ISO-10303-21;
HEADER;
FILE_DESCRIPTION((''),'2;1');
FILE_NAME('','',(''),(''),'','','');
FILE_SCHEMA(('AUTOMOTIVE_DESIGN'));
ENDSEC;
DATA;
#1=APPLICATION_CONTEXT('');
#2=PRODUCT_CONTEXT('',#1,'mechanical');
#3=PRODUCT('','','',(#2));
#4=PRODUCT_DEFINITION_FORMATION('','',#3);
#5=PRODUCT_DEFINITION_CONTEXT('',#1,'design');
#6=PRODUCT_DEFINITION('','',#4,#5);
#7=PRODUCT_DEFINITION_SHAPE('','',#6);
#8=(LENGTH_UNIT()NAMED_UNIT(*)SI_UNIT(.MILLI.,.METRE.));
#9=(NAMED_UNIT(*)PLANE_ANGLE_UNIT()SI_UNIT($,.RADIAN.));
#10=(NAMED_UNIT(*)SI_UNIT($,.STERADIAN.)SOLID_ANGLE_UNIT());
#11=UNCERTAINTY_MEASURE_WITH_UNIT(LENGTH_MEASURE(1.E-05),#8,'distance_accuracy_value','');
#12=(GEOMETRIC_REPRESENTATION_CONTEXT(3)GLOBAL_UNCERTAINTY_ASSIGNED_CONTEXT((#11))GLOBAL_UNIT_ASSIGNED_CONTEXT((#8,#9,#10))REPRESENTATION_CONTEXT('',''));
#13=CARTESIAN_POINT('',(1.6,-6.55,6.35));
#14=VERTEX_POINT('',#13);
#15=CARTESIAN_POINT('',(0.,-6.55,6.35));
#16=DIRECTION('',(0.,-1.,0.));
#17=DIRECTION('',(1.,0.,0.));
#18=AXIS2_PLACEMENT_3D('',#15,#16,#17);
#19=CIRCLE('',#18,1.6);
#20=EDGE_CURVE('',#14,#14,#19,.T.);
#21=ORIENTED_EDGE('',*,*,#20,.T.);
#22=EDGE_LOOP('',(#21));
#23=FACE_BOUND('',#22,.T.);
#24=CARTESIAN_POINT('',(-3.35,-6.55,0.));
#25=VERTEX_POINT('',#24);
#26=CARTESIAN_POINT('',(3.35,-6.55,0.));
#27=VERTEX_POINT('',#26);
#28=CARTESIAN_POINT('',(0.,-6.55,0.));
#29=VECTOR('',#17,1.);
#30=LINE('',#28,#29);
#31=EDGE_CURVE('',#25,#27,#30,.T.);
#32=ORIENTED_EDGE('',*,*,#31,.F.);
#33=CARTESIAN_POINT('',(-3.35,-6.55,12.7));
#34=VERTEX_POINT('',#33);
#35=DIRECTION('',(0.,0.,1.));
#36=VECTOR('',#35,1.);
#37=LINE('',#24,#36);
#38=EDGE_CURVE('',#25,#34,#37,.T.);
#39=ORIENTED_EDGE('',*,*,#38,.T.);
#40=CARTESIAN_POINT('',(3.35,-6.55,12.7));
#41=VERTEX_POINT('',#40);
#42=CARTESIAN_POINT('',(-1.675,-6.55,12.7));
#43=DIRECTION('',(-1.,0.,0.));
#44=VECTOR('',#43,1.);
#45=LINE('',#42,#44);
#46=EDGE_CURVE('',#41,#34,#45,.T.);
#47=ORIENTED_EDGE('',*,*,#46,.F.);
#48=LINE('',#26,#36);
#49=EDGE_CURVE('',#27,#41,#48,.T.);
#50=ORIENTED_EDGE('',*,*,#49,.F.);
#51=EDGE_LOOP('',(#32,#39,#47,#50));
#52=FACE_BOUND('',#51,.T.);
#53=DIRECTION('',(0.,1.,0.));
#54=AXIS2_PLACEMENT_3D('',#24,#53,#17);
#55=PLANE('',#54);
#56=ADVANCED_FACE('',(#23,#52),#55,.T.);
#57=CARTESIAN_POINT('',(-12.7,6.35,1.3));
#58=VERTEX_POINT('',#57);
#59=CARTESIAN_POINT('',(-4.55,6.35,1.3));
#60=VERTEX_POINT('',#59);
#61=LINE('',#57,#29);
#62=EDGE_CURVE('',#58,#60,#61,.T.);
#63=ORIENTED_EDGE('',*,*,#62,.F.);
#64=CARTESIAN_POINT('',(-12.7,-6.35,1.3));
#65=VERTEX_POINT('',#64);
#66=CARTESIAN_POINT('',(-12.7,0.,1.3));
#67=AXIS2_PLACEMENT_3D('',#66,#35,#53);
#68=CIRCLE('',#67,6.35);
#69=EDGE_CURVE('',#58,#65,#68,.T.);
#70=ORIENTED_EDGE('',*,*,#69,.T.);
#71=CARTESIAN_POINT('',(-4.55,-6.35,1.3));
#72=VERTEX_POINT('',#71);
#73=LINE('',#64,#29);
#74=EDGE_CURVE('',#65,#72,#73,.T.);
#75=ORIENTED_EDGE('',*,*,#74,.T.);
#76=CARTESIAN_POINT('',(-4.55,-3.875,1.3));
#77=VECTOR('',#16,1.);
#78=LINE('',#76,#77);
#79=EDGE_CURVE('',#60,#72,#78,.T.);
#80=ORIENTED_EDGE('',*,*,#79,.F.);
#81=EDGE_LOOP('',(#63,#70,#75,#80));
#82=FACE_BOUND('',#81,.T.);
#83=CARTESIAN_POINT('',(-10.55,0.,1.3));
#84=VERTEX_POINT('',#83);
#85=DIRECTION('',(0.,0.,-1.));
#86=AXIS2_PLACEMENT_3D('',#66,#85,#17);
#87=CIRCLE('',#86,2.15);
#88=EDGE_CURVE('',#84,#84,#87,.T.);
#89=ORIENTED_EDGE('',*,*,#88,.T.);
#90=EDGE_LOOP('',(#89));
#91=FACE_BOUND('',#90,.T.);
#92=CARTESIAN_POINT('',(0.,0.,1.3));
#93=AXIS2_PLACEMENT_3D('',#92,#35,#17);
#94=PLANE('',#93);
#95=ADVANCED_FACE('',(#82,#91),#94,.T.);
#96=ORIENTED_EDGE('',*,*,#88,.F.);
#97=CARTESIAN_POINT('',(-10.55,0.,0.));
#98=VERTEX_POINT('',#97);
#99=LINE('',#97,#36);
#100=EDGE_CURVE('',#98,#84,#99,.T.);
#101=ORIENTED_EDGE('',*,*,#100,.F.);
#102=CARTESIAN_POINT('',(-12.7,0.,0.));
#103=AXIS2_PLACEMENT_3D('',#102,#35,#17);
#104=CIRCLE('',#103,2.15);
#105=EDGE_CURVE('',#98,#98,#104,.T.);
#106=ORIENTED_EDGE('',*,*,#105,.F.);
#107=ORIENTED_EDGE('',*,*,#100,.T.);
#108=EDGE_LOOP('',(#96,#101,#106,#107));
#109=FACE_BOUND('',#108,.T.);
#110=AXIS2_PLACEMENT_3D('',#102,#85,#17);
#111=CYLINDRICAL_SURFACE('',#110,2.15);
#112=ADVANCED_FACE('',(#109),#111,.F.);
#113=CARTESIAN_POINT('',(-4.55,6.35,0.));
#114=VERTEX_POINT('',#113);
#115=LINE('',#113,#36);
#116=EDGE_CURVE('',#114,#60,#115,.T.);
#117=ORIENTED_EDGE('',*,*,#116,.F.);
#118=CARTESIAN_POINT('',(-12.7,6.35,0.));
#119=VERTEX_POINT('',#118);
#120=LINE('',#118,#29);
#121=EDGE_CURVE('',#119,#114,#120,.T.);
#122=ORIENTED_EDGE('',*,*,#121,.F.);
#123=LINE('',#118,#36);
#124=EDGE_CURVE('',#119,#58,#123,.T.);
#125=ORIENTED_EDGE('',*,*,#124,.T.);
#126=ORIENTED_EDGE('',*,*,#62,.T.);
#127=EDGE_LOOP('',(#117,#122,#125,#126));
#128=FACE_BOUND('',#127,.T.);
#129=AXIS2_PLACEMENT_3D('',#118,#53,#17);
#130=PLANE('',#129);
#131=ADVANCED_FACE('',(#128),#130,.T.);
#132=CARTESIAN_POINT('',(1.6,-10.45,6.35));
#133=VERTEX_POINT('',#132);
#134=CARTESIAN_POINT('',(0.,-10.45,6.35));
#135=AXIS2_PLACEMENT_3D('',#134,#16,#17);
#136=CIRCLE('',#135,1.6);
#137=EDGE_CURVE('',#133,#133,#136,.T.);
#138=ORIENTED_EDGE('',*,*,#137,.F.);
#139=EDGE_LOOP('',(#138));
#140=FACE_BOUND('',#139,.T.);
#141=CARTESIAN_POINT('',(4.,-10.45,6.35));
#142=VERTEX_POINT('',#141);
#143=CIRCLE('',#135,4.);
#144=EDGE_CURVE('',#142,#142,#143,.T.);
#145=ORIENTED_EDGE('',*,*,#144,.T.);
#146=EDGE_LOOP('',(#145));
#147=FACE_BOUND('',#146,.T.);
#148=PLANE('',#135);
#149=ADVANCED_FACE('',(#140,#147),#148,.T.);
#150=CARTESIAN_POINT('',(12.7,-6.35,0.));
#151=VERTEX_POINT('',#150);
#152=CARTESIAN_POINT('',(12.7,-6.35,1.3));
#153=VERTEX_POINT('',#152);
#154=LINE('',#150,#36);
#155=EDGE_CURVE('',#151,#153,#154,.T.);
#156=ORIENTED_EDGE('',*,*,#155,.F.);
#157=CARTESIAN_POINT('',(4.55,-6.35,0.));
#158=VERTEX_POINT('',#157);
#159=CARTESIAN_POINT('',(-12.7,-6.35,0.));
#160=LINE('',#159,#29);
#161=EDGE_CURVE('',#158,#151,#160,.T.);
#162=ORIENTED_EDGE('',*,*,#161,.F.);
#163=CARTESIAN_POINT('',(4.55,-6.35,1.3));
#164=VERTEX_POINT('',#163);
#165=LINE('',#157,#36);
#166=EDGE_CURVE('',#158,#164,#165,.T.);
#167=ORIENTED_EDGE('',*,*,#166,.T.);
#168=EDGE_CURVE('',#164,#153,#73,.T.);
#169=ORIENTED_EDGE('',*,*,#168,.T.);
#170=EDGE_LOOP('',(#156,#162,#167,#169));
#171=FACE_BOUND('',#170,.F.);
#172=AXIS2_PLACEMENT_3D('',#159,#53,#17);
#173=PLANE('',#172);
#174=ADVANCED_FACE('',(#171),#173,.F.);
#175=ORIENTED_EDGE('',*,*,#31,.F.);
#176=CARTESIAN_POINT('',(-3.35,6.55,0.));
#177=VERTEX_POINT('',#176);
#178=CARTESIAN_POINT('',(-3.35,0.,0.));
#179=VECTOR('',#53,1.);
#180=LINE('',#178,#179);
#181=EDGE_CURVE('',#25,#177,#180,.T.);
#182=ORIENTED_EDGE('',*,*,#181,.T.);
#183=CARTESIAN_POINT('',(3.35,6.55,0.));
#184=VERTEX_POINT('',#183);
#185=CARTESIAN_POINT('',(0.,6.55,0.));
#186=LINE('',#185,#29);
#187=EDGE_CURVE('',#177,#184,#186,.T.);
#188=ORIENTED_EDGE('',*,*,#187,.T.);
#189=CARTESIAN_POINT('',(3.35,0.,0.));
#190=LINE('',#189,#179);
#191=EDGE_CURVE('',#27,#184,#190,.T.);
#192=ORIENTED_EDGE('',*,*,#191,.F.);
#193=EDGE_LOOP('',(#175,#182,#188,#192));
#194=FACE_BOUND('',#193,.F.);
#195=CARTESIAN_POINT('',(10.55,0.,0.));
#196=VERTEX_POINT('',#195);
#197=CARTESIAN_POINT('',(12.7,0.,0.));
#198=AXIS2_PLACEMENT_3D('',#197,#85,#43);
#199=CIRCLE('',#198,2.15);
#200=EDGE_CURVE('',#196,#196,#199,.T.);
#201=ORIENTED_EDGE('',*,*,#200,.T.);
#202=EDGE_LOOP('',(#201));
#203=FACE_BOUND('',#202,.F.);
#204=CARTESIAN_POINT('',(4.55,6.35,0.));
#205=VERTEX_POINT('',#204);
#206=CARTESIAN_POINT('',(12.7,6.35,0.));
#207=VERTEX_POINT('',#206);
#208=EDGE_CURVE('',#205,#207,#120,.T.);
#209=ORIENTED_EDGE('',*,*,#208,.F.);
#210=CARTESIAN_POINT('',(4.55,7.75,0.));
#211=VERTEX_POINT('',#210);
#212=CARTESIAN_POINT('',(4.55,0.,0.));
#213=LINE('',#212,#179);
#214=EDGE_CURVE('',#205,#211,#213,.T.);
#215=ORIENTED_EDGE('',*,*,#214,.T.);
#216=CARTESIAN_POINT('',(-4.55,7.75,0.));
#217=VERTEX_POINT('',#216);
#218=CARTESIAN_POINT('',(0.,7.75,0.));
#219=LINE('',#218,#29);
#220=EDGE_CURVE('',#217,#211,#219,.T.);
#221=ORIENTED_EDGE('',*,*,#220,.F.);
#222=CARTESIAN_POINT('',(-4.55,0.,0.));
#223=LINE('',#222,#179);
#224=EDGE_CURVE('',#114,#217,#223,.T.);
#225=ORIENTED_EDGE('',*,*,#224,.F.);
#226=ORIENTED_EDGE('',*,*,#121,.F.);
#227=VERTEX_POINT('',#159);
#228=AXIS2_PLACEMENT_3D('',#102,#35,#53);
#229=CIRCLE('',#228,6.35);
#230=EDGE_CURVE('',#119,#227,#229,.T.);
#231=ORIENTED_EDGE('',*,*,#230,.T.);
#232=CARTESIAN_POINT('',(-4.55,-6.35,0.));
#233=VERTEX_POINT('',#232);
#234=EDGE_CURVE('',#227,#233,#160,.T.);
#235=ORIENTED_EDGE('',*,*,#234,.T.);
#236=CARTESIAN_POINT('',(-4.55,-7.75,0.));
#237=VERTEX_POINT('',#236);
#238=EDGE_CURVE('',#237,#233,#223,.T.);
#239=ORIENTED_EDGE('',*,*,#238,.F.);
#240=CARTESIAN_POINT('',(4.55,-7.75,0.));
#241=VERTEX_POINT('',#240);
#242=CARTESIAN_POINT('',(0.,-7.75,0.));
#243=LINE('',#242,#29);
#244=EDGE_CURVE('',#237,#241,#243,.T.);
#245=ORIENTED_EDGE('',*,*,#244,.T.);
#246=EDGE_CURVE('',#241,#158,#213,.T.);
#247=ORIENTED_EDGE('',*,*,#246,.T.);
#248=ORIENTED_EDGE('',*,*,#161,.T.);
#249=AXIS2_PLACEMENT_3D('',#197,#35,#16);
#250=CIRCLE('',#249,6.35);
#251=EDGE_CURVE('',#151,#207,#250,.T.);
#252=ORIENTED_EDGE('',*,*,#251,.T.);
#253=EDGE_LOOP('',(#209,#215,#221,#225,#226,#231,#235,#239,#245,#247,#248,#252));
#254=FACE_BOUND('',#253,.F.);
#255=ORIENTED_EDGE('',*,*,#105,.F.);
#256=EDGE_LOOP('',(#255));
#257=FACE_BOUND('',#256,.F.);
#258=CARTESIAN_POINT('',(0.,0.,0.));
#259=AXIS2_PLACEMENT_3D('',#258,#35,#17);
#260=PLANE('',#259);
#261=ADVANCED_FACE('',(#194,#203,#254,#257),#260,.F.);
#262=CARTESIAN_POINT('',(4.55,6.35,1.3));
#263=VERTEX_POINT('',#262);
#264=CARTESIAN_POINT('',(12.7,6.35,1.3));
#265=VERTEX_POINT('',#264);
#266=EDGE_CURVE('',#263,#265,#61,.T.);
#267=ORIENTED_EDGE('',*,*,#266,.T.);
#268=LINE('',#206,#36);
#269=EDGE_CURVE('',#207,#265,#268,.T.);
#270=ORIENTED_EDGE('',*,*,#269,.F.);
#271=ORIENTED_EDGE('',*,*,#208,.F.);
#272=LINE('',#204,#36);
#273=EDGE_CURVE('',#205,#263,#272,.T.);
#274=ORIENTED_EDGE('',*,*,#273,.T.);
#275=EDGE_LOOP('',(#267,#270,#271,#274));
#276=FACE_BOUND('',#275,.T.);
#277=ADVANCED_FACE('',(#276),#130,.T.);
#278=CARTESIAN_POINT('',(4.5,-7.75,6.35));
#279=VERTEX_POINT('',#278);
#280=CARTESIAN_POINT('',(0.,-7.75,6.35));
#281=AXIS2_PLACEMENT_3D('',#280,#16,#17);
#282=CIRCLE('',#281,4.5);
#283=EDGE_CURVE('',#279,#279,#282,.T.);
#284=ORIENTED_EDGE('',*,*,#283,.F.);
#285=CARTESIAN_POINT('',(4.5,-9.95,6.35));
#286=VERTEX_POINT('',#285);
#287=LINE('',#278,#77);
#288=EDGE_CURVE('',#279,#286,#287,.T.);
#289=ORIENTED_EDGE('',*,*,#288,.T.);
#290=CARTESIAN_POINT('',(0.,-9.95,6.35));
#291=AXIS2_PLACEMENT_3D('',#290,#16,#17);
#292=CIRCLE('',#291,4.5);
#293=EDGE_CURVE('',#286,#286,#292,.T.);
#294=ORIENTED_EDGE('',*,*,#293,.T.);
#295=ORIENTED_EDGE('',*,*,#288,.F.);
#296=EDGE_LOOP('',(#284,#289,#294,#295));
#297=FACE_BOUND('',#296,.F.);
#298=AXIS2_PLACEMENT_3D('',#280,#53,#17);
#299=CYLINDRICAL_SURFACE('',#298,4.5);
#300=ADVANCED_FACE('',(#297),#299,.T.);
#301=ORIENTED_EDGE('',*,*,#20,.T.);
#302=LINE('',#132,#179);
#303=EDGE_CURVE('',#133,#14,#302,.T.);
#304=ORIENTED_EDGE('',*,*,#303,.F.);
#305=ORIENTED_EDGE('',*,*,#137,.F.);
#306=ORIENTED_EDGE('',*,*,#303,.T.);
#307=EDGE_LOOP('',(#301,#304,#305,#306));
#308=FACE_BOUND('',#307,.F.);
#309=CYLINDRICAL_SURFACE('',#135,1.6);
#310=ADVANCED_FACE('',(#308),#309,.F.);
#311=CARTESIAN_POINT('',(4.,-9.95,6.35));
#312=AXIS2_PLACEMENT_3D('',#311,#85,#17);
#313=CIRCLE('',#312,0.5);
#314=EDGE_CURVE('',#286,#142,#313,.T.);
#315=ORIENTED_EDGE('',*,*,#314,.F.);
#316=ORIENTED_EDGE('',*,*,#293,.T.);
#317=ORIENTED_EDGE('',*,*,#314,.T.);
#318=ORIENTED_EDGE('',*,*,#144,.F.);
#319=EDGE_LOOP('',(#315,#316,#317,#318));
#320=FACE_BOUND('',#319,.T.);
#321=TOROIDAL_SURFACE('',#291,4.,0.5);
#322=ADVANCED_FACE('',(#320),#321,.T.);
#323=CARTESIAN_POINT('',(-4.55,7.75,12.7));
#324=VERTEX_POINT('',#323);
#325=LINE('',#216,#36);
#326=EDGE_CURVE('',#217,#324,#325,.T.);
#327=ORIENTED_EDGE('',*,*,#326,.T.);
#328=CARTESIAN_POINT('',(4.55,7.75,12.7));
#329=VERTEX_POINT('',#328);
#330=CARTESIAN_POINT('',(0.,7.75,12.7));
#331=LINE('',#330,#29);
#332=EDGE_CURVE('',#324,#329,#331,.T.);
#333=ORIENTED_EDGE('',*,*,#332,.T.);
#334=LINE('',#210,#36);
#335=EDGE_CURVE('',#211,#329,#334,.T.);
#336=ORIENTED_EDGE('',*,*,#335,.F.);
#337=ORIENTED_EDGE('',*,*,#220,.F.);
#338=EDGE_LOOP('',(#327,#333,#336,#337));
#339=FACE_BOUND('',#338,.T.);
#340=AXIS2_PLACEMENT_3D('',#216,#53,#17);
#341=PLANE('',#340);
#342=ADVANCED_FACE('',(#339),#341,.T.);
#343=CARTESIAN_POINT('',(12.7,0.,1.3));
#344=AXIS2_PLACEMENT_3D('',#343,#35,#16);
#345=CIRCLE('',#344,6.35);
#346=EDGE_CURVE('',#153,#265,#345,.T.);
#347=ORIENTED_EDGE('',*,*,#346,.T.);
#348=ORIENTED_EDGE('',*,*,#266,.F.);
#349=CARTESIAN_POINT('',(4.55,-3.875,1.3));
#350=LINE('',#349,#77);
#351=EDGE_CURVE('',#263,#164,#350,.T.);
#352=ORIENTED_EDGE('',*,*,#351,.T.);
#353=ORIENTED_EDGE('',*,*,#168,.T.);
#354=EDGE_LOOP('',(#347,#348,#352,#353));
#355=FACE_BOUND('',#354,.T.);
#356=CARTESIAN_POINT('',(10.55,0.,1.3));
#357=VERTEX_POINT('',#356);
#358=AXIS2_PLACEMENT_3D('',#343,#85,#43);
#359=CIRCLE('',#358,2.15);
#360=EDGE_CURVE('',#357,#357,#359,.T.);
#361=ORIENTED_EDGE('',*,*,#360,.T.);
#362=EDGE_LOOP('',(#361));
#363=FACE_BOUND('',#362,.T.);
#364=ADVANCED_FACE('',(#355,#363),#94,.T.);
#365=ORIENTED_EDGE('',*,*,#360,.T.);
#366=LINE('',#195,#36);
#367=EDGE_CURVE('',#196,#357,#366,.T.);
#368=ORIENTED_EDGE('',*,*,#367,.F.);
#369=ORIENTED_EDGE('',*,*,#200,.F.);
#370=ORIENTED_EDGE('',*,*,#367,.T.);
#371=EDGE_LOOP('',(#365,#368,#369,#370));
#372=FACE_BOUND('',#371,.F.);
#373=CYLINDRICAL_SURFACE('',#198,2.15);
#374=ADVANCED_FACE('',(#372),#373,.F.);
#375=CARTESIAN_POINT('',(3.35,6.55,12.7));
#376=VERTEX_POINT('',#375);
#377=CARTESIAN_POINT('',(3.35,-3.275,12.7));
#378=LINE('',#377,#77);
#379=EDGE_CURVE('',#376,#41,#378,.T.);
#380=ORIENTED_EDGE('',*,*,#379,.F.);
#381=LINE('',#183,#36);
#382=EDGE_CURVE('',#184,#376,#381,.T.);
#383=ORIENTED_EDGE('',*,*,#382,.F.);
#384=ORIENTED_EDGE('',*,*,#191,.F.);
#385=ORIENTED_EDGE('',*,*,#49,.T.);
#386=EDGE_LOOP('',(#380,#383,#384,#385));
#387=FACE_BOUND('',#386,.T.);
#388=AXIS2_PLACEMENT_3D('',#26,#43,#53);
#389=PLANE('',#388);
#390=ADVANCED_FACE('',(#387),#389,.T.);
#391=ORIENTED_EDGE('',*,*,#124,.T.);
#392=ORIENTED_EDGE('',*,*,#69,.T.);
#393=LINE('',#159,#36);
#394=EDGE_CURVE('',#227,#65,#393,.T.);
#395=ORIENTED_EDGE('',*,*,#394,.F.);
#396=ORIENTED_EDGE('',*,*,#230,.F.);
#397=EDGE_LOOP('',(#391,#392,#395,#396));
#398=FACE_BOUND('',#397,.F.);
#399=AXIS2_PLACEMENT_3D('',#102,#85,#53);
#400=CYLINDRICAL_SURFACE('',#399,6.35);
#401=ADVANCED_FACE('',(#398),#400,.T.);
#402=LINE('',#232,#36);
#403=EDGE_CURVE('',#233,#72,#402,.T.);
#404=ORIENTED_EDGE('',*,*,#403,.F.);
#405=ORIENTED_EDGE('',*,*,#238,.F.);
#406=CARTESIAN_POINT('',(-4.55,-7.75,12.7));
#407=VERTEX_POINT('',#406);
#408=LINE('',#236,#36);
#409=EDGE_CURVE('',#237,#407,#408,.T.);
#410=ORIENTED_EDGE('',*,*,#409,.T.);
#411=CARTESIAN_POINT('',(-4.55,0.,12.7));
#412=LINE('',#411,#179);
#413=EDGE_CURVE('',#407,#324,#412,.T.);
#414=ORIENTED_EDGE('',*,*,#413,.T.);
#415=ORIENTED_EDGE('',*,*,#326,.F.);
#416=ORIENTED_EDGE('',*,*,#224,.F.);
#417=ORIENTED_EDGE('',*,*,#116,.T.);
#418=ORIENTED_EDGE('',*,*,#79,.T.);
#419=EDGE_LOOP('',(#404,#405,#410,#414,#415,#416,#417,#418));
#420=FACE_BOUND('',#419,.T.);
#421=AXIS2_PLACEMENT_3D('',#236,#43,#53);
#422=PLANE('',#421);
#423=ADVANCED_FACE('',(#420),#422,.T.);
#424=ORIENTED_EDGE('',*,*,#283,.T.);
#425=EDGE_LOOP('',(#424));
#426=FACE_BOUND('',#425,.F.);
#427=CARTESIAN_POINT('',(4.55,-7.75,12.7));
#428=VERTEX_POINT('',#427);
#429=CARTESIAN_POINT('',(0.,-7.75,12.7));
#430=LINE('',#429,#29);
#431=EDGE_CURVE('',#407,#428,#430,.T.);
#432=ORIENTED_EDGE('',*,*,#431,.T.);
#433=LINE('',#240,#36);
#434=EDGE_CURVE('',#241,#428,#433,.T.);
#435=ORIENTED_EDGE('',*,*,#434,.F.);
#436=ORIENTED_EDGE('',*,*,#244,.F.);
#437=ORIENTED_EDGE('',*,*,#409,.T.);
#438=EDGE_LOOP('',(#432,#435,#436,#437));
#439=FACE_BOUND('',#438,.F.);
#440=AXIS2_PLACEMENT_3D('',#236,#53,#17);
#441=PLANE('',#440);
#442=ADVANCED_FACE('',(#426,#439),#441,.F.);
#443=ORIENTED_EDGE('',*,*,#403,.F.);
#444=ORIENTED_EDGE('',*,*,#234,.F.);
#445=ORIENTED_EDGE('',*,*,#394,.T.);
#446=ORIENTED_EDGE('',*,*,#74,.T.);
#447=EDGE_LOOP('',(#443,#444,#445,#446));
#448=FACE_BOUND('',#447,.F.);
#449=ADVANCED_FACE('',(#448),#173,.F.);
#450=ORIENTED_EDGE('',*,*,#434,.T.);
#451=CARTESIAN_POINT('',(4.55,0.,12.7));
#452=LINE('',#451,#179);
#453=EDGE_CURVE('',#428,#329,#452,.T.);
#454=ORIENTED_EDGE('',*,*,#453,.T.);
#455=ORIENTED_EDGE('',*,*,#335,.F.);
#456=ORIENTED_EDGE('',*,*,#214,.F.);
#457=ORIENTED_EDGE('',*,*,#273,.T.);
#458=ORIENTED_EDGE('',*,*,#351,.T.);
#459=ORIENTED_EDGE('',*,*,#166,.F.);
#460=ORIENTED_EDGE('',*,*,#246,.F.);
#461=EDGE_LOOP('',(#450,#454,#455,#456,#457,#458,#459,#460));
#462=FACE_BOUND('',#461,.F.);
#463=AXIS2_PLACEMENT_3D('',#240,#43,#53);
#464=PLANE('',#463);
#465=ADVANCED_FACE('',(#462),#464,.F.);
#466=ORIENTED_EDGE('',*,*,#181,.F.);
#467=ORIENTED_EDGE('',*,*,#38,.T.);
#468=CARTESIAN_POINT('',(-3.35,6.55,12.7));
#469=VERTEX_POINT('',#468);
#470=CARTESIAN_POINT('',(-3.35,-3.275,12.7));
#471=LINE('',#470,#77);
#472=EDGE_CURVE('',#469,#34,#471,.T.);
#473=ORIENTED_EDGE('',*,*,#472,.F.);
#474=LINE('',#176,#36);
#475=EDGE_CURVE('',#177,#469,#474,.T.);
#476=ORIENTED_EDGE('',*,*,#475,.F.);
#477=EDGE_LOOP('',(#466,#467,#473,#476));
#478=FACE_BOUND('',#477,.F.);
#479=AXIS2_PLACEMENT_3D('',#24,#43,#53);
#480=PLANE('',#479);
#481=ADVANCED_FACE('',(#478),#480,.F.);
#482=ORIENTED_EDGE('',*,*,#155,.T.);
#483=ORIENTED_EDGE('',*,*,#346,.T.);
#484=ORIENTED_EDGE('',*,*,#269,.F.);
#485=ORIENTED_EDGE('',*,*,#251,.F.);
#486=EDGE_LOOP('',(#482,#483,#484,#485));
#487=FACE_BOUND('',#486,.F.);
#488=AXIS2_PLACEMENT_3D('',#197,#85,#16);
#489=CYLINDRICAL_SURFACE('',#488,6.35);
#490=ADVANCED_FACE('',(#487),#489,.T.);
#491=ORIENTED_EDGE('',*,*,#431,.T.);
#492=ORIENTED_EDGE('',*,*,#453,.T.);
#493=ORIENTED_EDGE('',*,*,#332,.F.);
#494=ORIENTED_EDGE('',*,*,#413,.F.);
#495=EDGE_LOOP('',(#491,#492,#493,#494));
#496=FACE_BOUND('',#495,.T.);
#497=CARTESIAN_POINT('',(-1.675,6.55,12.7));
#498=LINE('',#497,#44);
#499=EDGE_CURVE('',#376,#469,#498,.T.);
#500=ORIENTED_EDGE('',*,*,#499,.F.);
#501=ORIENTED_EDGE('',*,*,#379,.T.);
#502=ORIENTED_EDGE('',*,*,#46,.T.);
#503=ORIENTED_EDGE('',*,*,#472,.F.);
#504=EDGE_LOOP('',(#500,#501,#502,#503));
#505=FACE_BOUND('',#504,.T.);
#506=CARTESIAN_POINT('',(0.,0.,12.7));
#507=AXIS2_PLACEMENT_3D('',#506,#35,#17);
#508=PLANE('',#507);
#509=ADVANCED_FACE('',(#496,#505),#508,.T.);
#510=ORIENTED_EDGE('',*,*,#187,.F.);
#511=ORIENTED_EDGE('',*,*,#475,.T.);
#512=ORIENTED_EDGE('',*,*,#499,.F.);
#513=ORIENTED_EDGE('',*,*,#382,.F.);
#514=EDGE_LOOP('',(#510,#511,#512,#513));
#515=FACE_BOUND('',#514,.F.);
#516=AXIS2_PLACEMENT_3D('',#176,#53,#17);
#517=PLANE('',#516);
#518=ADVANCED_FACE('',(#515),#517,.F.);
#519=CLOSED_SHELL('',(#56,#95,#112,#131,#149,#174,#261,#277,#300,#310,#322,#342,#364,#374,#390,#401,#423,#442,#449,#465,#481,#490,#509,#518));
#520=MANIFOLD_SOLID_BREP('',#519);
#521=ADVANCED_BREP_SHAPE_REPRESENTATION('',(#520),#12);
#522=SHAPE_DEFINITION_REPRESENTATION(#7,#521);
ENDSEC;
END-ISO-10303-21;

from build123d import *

# Parameters (mm, degrees)
PAD_DEPTH       = 1.3
SKETCH001_W     = 9.1
SKETCH001_H     = 15.5
PAD001_DEPTH    = 12.7
SKETCH002_W     = 6.7
SKETCH002_H     = 13.1
POCKET_DEPTH    = 12.701
SKETCH003_R     = 2.15
POCKET001_DEPTH = 98.797458
SKETCH004_R     = 4.5
PAD002_DEPTH    = 2.7
SKETCH005_R     = 1.6
POCKET002_DEPTH = 3.9
FILLET_R        = 0.5


with BuildPart() as part:
    # Sketch → Pad (new body)
    with BuildSketch(Plane.XY):
        with BuildLine():
            ThreePointArc((-12.7, 6.35), (-19.05, 0), (-12.7, -6.35))
            Line((-12.7, -6.35), (12.7, -6.35))
            ThreePointArc((12.7, -6.35), (19.05, 0), (12.7, 6.35))
            Line((-12.7, 6.35), (12.7, 6.35))
        make_face()
    extrude(amount=PAD_DEPTH)

    # Sketch001 → Pad001 (join)
    with BuildSketch(Plane.XY):
        Rectangle(SKETCH001_W, SKETCH001_H)
    extrude(amount=PAD001_DEPTH)

    # Sketch002 → Pocket (cut, through all)
    with BuildSketch(Plane.XY):
        Rectangle(SKETCH002_W, SKETCH002_H)
    extrude(amount=POCKET_DEPTH, mode=Mode.SUBTRACT)

    # Sketch003 → Pocket001 (cut, through all)
    with BuildSketch(Plane.XY):
        with Locations((-12.7, 0)):
            Circle(SKETCH003_R)
    pocket001 = extrude(amount=POCKET001_DEPTH, mode=Mode.SUBTRACT)

    # Mirrored: Pocket001 across Sketch003 V_Axis
    add(pocket001.mirror(Plane(origin=(0, 0, 0), x_dir=(0, 0, 1), z_dir=(1, 0, 0))), mode=Mode.SUBTRACT)

    # Sketch004 (on Face11 of Mirrored) → Pad002 (join)
    with BuildSketch(Plane.XZ.offset(7.75)):
        with Locations((0, 6.35)):
            Circle(SKETCH004_R)
    extrude(amount=PAD002_DEPTH)

    # Sketch005 (on Face25 of Pad002) → Pocket002 (cut)
    with BuildSketch(Plane.XZ.offset(10.45)):
        with Locations((0, 6.35)):
            Circle(SKETCH005_R)
    extrude(amount=-POCKET002_DEPTH, mode=Mode.SUBTRACT)

    # Fillet
    fillet_edges = [part.edges().sort_by_distance(p)[0] for p in [
        (-4.5, -10.45, 6.35),
    ]]
    fillet(fillet_edges, radius=FILLET_R)


solid = part.part
